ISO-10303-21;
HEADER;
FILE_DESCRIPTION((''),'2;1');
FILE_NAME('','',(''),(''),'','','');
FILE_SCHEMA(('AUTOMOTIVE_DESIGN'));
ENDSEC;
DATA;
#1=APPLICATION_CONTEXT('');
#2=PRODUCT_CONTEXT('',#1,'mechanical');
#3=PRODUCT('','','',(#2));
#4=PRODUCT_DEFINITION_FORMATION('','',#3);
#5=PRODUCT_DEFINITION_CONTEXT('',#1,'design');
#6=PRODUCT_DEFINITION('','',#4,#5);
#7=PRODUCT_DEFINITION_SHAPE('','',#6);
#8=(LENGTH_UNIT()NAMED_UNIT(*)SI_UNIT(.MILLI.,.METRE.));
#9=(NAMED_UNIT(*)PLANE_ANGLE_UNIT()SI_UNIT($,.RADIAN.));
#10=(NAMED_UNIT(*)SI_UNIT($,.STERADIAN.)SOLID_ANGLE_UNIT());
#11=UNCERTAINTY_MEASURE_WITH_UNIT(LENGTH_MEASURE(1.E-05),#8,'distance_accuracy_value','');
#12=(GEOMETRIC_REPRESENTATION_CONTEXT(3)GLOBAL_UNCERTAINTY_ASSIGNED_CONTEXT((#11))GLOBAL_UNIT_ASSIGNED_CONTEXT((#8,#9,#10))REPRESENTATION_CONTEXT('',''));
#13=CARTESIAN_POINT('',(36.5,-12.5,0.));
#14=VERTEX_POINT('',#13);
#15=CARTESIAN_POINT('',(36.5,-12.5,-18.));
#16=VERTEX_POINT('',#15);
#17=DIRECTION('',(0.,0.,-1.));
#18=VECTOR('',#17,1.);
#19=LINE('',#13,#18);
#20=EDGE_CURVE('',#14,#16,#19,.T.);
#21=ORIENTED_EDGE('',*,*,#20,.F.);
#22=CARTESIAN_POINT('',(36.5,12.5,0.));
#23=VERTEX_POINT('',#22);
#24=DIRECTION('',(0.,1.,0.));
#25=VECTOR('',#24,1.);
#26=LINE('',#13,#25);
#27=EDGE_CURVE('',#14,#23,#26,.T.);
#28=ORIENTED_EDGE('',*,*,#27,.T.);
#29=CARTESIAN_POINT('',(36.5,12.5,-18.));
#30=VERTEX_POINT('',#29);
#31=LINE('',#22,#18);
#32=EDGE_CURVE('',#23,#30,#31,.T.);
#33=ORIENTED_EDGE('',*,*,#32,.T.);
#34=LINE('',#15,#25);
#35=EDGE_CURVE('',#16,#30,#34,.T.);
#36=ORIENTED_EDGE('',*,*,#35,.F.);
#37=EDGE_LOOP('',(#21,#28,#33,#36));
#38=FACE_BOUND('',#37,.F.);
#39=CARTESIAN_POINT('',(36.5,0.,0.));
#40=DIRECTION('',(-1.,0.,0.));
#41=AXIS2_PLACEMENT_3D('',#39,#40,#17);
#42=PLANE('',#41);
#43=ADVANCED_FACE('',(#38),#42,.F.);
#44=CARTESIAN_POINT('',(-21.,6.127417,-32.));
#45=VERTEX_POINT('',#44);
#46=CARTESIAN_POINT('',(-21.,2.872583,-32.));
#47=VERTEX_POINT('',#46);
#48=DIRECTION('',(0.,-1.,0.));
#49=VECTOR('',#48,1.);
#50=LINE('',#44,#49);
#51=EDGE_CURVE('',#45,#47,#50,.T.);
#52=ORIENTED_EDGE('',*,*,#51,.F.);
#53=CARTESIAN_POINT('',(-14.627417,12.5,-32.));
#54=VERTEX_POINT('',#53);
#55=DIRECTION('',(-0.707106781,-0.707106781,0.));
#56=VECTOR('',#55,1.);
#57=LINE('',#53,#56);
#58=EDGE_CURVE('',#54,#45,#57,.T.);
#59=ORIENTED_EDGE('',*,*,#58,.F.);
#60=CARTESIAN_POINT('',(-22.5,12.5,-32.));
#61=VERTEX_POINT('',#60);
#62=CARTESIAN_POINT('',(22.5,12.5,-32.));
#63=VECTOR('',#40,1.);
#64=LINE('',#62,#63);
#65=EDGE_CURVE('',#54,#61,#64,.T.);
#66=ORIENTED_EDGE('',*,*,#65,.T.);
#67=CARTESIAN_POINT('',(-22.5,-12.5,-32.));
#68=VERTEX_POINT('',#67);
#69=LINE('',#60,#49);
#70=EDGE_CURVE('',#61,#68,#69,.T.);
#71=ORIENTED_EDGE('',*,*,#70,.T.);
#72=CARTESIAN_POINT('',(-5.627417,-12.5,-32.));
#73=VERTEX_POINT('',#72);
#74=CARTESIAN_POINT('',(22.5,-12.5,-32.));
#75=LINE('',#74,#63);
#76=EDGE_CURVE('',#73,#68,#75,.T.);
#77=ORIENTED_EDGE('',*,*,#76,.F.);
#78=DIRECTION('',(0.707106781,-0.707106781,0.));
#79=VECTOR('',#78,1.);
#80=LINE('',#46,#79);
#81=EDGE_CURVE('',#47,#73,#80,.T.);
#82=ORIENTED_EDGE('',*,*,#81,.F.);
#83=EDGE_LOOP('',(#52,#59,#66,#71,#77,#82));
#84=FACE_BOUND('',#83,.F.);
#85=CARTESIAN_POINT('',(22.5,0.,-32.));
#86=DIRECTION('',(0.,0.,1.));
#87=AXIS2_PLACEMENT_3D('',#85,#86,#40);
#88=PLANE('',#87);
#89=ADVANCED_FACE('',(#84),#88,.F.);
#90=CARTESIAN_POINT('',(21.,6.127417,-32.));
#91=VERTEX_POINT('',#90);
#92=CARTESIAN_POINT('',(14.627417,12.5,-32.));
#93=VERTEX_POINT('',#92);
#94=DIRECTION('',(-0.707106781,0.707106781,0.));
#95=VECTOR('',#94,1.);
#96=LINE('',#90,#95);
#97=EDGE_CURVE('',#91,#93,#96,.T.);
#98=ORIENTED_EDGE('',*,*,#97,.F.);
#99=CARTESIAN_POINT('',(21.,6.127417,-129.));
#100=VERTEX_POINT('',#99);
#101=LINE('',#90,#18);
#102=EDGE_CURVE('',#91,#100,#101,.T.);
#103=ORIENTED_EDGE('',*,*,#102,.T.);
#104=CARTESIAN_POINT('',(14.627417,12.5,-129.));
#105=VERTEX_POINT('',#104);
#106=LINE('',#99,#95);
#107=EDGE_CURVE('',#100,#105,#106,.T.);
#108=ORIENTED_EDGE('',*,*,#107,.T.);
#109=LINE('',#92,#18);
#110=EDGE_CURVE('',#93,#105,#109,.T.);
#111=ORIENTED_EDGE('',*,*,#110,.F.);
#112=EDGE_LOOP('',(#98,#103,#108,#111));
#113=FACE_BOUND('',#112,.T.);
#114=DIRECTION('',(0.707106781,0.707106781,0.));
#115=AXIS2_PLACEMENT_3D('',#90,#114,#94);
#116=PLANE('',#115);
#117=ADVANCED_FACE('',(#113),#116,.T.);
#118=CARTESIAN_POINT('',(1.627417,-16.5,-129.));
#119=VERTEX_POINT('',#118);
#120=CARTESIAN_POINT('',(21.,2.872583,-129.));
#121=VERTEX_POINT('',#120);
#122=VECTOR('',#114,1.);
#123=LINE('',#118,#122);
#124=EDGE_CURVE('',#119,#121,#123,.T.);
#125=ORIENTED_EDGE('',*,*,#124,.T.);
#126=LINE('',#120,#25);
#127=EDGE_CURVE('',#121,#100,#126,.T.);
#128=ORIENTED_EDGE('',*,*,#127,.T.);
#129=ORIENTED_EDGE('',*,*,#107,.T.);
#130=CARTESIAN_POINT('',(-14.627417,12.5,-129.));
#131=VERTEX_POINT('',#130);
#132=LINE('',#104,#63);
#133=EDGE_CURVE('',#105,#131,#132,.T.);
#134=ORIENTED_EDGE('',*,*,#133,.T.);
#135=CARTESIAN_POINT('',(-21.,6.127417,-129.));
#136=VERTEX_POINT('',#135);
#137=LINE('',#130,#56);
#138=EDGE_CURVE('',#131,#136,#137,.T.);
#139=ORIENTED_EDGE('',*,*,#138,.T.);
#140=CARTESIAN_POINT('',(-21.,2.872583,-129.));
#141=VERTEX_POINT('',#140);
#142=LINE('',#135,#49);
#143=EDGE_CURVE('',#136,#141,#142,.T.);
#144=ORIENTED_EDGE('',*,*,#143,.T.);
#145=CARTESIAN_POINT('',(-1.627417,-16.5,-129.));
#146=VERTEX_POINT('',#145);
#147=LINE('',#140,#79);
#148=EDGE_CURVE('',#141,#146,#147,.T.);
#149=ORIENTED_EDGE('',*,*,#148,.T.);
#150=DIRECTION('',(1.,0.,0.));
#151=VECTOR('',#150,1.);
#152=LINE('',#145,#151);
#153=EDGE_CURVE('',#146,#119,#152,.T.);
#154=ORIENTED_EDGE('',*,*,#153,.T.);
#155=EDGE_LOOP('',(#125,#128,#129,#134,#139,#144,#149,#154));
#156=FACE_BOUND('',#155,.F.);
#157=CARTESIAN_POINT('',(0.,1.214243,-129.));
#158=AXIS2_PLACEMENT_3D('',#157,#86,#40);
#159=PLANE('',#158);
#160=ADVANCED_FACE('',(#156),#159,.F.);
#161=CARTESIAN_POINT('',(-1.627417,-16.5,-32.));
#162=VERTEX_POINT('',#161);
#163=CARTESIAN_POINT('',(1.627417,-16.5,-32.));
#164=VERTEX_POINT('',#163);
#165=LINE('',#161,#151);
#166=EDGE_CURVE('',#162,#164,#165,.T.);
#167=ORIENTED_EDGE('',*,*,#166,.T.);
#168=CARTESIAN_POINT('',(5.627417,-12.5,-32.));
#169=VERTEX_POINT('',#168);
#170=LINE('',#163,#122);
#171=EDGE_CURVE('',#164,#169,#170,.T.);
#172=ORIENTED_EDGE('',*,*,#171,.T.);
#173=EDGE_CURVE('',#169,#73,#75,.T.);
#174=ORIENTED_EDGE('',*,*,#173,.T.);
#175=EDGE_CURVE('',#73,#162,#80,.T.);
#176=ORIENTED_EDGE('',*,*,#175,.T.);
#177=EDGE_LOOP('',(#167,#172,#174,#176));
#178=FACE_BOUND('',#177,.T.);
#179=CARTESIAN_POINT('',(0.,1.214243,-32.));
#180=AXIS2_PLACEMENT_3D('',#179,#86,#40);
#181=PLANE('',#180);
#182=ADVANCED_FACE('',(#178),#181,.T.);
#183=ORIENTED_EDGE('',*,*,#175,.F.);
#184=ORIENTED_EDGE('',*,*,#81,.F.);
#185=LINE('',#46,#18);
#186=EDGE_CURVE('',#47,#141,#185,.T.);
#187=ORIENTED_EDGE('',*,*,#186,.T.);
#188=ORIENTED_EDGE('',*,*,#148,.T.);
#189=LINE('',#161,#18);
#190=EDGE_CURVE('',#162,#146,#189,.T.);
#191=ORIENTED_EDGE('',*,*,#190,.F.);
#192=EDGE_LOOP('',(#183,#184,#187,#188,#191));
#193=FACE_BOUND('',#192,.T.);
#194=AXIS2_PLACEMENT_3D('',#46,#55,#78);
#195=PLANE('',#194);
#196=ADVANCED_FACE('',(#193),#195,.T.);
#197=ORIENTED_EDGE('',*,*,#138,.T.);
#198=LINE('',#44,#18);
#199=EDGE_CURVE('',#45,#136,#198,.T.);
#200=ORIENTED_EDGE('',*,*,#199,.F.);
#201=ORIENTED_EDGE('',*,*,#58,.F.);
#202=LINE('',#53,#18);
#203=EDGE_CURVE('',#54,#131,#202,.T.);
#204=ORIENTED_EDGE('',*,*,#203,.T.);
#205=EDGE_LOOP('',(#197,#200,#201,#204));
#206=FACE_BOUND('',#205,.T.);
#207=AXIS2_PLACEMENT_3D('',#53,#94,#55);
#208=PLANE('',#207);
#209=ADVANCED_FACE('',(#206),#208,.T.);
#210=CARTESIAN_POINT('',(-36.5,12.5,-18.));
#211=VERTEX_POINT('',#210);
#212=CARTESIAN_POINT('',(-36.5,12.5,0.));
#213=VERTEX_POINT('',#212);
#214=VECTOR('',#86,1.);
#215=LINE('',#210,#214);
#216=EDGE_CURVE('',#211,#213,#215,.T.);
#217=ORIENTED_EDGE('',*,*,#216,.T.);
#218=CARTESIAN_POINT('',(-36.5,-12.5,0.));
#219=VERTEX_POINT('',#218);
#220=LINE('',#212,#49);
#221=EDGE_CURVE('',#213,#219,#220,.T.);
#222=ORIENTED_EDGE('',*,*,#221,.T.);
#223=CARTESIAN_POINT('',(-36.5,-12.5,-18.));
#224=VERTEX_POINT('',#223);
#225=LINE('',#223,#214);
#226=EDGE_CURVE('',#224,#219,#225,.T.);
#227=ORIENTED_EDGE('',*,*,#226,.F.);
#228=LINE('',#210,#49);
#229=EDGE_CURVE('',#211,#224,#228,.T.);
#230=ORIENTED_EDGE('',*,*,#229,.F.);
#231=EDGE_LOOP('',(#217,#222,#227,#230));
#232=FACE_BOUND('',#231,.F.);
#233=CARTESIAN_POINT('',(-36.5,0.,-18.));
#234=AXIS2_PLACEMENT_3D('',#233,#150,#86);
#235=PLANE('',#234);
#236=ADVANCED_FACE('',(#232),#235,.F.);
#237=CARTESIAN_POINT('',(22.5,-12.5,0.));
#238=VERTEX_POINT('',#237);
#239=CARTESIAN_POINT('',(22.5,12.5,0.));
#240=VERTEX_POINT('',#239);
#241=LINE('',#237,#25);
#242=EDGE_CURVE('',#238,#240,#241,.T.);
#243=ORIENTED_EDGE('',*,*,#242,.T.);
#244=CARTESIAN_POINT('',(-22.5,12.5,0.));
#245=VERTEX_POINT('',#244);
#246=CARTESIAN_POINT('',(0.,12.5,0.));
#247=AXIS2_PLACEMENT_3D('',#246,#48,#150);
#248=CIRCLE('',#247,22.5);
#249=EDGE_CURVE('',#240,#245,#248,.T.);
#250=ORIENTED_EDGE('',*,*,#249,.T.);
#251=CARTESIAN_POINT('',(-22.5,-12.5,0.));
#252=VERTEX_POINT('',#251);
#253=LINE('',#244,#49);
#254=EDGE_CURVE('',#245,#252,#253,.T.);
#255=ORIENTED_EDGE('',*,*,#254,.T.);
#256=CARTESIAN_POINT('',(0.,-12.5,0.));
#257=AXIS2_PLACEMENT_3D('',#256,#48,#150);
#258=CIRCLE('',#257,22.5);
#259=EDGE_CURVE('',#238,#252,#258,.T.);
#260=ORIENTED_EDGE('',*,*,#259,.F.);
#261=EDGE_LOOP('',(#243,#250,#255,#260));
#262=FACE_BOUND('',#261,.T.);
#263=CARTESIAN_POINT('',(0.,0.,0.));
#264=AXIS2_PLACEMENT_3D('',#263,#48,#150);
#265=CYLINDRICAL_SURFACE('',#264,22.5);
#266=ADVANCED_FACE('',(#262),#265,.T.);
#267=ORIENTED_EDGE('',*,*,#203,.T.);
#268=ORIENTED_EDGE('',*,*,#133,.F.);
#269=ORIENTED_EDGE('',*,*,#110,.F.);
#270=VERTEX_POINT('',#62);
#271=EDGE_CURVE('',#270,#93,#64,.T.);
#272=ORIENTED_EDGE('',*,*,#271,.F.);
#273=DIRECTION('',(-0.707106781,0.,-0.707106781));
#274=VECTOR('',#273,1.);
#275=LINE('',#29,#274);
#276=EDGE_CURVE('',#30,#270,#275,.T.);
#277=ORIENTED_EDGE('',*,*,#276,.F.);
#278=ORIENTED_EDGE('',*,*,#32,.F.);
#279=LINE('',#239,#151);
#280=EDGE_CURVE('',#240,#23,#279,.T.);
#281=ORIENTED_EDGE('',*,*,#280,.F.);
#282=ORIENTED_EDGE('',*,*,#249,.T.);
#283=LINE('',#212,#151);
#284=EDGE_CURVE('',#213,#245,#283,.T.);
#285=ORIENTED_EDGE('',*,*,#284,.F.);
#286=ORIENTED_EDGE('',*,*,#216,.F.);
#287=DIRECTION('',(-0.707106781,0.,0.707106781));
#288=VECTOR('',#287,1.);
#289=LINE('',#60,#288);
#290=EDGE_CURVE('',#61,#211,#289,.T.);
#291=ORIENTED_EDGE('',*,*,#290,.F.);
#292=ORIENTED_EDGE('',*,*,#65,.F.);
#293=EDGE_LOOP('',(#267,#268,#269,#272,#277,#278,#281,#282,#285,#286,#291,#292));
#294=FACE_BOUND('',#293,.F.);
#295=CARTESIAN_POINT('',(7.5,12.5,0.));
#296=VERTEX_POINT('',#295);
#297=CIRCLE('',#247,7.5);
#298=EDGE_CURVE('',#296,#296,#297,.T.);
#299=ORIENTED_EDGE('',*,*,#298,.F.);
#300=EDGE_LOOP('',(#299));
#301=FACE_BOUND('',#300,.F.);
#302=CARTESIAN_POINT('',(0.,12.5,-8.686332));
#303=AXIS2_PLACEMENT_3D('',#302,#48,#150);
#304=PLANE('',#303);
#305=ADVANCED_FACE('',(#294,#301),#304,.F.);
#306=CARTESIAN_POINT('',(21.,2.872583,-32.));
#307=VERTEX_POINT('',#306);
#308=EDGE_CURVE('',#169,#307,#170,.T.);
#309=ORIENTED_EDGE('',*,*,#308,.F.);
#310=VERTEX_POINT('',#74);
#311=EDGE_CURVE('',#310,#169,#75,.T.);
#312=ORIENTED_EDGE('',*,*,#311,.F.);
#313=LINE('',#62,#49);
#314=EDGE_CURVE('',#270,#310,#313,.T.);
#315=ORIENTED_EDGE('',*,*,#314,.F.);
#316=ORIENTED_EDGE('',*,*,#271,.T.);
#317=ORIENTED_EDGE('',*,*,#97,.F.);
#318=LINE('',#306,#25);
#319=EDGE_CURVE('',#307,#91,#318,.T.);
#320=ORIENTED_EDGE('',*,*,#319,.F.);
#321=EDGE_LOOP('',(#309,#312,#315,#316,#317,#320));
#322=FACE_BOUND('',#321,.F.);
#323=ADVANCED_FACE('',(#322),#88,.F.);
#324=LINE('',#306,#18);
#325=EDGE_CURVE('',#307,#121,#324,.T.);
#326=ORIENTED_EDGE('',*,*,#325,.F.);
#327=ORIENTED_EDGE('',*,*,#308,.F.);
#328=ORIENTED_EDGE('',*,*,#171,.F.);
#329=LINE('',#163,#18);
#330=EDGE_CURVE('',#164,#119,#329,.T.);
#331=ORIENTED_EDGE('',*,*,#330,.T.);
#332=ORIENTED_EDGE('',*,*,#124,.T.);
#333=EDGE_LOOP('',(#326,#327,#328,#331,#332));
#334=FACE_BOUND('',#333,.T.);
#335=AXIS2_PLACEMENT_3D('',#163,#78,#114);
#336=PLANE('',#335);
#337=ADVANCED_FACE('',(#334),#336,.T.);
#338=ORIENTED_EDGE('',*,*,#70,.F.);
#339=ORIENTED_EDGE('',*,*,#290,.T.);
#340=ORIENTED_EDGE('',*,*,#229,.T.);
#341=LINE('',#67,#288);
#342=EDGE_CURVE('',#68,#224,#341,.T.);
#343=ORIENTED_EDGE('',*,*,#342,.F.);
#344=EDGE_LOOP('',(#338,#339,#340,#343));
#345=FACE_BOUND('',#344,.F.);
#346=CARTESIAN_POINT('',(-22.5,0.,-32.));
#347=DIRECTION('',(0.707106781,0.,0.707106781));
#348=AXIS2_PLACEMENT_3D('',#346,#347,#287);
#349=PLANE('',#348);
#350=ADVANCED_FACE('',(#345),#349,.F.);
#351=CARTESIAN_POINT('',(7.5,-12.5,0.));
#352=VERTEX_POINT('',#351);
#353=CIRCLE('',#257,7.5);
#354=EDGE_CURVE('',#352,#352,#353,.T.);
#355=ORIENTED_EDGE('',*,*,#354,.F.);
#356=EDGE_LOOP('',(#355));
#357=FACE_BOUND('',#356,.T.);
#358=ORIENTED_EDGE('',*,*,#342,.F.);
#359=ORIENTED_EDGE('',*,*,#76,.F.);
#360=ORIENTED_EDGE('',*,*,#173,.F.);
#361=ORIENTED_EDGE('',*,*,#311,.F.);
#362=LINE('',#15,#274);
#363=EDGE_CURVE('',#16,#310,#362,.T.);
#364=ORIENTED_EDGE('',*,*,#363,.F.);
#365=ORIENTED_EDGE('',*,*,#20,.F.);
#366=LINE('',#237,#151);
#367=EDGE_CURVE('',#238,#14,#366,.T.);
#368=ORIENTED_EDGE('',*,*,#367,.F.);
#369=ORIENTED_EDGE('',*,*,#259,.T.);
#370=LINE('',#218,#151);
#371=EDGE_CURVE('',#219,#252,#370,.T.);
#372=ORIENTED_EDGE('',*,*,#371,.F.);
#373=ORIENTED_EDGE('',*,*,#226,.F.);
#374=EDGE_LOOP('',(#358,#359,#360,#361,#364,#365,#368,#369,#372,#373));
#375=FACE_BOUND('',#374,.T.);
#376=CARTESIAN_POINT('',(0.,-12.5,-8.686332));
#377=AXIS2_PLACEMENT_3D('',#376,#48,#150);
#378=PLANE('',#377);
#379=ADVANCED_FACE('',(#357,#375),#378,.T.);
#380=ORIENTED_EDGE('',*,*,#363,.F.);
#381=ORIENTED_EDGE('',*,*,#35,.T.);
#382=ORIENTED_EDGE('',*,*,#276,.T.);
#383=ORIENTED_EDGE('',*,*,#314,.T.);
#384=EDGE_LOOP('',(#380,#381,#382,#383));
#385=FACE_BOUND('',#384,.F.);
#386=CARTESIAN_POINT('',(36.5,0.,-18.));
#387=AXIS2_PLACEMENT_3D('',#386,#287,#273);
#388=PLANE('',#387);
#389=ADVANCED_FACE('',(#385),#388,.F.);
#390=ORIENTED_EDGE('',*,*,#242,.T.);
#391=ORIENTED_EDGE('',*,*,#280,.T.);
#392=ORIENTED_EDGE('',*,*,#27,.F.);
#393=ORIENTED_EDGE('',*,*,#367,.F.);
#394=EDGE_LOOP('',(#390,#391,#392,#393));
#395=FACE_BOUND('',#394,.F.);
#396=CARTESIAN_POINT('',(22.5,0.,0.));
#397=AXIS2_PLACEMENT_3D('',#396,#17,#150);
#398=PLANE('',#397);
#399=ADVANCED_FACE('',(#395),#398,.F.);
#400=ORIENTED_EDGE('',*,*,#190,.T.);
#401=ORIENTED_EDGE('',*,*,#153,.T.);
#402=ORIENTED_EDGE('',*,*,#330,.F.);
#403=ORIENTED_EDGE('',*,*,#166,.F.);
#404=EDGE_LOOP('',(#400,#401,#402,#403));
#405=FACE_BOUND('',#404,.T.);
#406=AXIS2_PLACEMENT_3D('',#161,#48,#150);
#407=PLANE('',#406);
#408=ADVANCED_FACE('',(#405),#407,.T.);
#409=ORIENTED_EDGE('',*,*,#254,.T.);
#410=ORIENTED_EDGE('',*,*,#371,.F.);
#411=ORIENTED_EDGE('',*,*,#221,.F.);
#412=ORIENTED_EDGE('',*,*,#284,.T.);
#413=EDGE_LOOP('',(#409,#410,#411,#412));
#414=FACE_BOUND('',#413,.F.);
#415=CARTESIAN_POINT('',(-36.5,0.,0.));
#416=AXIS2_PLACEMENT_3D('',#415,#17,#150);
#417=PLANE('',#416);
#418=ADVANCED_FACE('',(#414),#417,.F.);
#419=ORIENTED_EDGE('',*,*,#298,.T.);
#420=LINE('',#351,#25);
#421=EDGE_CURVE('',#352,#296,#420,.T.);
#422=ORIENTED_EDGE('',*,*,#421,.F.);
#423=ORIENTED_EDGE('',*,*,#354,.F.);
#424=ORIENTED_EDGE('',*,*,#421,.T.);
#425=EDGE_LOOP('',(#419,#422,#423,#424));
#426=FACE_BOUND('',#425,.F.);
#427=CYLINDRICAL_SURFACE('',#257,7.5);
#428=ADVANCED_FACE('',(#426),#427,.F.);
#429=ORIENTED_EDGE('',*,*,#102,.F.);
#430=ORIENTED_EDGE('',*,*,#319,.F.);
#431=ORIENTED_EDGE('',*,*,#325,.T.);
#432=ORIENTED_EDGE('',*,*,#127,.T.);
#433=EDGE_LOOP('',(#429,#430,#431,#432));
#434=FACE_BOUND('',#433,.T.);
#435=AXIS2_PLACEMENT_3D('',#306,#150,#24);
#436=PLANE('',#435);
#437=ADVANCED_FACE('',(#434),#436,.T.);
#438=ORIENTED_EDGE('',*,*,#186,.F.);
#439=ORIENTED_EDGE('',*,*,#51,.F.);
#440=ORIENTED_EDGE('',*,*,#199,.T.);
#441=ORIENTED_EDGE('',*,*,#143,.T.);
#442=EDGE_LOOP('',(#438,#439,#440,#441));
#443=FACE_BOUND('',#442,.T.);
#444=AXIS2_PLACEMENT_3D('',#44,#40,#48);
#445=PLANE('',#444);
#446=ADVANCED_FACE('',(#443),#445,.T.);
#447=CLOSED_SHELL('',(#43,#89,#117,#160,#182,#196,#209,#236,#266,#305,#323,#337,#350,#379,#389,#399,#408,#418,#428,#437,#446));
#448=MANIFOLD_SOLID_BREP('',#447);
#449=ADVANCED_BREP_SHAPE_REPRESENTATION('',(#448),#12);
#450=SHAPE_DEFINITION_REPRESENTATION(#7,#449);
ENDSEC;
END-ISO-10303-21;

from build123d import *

# Parameters (mm, degrees)
PAD_DEPTH    = 12.5
SKETCH001_R  = 7.5
HOLE_DEPTH   = 25.001
PAD001_DEPTH = 97


with BuildPart() as part:
    # Sketch → Pad (new body, symmetric)
    with BuildSketch(Plane.XZ):
        with BuildLine():
            ThreePointArc((22.5, 0), (0, 22.5), (-22.5, 0))
            Line((-36.5, 0), (-22.5, 0))
            Line((-36.5, -18), (-36.5, 0))
            Line((-22.5, -32), (-36.5, -18))
            Line((22.5, -32), (-22.5, -32))
            Line((36.5, -18), (22.5, -32))
            Line((36.5, 0), (36.5, -18))
            Line((22.5, 0), (36.5, 0))
        make_face()
    extrude(amount=PAD_DEPTH, both=True)

    # Sketch001 (on Face10 of Pad) → Hole (cut, through all)
    with BuildSketch(Plane.XZ.offset(12.5)):
        Circle(SKETCH001_R)
    extrude(amount=-HOLE_DEPTH, mode=Mode.SUBTRACT)

    # Sketch002 (on Face5 of Pad) → Pad001 (join)
    with BuildSketch(Plane(origin=(0, 0, -32), x_dir=(1, 0, 0), z_dir=(0, 0, -1))):
        Polygon((-21, -2.872583), (-1.627417, 16.5), (1.627417, 16.5), (21, -2.872583), (21, -6.127417), (14.627417, -12.5), (-14.627417, -12.5), (-21, -6.127417), align=None)
    extrude(amount=PAD001_DEPTH)


solid = part.part
